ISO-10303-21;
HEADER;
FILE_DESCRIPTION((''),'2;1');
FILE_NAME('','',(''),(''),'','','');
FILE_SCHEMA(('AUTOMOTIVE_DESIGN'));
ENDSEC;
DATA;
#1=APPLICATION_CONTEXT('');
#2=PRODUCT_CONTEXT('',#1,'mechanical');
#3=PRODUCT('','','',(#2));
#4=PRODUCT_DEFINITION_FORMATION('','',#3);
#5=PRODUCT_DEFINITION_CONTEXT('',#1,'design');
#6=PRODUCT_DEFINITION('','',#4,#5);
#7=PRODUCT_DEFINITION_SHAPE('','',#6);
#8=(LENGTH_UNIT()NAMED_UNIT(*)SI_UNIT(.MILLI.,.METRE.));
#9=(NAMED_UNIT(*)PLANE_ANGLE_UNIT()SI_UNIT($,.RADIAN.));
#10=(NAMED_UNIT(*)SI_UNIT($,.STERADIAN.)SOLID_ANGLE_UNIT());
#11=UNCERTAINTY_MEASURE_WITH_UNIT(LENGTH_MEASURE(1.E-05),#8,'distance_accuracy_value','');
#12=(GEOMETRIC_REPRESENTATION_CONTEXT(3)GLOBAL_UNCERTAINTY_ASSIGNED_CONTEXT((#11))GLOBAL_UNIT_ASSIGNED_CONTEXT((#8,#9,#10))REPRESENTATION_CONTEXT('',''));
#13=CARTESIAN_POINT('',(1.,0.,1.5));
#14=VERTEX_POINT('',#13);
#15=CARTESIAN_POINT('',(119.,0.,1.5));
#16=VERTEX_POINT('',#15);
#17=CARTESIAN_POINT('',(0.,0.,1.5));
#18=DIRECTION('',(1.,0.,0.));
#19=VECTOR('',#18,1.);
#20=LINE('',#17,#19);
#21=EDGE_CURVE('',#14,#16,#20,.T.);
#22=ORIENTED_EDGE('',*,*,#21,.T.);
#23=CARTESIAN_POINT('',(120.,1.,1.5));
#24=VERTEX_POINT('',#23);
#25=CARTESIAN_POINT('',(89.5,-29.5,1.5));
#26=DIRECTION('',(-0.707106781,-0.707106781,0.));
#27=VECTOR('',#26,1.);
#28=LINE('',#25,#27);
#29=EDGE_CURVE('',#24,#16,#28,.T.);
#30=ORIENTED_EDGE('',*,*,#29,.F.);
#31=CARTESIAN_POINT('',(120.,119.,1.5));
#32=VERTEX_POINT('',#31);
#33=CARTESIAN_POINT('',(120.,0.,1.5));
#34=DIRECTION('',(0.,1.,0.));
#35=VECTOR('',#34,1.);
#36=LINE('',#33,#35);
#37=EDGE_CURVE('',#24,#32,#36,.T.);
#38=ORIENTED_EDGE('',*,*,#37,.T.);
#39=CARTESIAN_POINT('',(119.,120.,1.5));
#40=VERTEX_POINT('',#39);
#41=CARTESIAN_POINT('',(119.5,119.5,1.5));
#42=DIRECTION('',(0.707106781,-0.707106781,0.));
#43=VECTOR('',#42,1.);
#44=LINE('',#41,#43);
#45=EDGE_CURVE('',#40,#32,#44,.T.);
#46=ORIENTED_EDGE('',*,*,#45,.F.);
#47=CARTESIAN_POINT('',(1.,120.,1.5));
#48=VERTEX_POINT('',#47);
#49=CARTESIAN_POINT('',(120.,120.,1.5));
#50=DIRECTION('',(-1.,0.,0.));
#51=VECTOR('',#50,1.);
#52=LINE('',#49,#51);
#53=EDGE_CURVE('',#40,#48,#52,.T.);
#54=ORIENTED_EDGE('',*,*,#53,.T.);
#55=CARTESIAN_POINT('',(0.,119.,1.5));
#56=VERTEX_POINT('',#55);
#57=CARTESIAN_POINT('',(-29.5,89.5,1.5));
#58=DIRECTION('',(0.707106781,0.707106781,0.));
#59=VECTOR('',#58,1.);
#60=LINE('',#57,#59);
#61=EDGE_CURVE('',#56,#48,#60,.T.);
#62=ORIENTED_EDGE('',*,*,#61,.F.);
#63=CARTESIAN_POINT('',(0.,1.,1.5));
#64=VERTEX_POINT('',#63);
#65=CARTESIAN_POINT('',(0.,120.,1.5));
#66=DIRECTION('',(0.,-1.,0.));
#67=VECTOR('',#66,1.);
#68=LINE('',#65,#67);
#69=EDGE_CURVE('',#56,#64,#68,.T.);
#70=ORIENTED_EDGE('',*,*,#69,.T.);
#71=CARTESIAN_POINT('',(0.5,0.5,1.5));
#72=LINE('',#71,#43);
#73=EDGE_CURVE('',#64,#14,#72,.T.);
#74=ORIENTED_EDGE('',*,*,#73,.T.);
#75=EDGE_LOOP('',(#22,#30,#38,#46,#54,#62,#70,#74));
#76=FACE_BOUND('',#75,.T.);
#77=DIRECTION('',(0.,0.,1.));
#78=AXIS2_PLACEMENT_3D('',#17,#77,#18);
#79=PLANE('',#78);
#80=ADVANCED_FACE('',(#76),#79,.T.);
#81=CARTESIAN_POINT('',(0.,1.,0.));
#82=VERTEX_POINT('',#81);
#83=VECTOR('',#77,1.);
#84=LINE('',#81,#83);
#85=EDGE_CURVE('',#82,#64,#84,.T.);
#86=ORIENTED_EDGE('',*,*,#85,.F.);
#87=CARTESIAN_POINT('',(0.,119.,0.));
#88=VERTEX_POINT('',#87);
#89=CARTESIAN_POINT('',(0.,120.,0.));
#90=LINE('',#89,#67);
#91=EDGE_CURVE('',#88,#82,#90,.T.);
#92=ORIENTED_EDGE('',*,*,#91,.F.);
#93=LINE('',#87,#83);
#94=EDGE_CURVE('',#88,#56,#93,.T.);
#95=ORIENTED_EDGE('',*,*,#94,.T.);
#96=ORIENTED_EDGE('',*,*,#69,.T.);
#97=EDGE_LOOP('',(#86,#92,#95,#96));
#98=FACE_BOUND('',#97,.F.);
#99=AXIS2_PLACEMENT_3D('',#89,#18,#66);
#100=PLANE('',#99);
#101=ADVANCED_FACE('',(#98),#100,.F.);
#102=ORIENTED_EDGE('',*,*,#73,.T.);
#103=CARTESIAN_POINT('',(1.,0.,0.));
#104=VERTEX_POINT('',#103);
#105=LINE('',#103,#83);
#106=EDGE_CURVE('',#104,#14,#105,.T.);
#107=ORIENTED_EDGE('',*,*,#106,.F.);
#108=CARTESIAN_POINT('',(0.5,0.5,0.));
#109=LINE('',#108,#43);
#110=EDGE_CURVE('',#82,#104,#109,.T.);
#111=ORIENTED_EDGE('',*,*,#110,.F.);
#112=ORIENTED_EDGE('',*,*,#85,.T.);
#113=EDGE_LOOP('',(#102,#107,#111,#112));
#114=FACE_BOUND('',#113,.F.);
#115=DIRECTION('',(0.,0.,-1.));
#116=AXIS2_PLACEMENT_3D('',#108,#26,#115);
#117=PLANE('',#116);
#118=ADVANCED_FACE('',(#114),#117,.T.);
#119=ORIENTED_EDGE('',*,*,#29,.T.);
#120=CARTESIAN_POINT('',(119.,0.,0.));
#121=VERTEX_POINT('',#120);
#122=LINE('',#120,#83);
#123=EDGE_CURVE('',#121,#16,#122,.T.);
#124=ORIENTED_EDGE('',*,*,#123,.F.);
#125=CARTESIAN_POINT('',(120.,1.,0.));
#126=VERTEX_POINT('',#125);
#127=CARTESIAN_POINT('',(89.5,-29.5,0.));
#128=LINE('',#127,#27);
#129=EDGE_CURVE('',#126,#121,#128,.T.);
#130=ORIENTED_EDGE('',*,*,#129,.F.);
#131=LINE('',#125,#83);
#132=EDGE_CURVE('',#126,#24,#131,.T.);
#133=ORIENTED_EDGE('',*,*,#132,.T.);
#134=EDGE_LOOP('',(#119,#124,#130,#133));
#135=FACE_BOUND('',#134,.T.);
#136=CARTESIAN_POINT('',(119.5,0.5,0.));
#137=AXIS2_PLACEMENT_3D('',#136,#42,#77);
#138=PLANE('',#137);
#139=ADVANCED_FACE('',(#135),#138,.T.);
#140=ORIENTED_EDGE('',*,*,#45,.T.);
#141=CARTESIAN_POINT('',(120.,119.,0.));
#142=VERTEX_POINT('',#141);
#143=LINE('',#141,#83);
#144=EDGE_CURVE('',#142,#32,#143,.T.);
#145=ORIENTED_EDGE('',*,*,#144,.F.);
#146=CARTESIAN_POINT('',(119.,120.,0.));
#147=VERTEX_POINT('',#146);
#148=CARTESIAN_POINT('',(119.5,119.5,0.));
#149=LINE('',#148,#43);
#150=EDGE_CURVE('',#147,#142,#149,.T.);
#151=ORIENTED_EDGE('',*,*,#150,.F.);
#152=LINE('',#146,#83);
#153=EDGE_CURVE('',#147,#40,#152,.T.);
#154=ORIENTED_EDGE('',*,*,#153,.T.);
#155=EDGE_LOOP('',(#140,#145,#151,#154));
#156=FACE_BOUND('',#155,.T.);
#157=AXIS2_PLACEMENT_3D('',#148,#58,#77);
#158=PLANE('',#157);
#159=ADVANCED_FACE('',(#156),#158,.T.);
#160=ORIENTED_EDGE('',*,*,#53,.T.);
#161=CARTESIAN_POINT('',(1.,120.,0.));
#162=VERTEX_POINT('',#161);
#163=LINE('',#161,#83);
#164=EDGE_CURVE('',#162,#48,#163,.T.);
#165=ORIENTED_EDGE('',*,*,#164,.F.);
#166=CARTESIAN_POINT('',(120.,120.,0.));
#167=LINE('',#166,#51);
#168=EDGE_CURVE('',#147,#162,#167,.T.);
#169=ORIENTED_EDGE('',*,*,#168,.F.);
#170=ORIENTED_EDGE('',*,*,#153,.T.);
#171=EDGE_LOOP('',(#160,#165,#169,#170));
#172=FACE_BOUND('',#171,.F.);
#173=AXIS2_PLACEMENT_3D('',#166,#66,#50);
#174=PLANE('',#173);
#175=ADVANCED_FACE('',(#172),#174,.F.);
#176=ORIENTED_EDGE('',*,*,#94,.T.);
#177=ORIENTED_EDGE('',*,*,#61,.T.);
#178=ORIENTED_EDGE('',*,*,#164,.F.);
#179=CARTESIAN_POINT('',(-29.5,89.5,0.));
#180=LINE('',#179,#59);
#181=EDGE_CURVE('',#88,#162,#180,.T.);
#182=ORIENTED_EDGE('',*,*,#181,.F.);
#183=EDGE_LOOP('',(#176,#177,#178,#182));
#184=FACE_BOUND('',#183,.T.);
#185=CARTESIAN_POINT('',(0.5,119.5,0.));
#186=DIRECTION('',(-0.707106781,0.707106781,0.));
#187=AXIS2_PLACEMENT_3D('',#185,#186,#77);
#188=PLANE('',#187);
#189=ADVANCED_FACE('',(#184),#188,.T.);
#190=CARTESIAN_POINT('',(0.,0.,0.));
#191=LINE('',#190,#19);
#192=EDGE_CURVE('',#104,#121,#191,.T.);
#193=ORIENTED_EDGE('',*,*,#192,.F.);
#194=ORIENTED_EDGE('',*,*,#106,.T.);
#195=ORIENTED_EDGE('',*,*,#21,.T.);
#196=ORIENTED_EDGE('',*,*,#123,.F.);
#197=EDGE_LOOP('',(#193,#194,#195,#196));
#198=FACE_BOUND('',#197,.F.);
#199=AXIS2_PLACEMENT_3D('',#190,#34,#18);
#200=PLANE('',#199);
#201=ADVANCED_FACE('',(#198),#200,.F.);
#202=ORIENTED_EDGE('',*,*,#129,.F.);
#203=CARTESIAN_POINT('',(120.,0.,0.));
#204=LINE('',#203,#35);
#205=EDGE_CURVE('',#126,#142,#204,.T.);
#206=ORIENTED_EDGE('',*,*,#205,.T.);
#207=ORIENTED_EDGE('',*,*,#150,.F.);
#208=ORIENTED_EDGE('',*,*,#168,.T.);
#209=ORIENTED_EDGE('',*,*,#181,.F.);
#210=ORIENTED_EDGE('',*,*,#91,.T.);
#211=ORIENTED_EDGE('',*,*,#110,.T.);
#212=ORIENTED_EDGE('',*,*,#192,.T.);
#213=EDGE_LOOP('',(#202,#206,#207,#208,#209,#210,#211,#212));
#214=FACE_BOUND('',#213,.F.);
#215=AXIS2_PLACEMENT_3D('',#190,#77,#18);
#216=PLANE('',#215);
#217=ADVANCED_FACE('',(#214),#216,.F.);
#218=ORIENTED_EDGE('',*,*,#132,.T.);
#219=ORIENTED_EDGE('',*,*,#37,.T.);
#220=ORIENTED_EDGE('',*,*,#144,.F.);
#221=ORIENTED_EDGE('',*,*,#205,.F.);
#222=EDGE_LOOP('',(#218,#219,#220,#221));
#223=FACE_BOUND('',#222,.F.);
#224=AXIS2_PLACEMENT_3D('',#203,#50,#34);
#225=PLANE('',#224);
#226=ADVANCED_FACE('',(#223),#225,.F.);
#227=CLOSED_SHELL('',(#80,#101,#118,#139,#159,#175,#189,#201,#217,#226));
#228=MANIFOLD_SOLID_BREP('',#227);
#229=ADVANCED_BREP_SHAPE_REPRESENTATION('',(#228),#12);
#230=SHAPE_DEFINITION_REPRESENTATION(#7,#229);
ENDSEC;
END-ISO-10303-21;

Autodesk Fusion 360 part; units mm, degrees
sketch "Sketch1" plane through (0, 0, 0) normal (0, 0, 1) x (1, 0, 0)
  line L0 (0, 0) -> (120, 0)
  line L1 (120, 0) -> (120, 120)
  line L2 (120, 120) -> (0, 120)
  line L3 (0, 120) -> (0, 0)
  dimension "d1" = 120
  dimension "d2" = 120
extrude "Extrude1" add sketch "Sketch1" along normal blind 1.5
chamfer "Chamfer1" distance 1 angle 45 4 edges at (120, 120, 0.75) (0, 120, 0.75) (120, 0, 0.75) (0, 0, 0.75)
